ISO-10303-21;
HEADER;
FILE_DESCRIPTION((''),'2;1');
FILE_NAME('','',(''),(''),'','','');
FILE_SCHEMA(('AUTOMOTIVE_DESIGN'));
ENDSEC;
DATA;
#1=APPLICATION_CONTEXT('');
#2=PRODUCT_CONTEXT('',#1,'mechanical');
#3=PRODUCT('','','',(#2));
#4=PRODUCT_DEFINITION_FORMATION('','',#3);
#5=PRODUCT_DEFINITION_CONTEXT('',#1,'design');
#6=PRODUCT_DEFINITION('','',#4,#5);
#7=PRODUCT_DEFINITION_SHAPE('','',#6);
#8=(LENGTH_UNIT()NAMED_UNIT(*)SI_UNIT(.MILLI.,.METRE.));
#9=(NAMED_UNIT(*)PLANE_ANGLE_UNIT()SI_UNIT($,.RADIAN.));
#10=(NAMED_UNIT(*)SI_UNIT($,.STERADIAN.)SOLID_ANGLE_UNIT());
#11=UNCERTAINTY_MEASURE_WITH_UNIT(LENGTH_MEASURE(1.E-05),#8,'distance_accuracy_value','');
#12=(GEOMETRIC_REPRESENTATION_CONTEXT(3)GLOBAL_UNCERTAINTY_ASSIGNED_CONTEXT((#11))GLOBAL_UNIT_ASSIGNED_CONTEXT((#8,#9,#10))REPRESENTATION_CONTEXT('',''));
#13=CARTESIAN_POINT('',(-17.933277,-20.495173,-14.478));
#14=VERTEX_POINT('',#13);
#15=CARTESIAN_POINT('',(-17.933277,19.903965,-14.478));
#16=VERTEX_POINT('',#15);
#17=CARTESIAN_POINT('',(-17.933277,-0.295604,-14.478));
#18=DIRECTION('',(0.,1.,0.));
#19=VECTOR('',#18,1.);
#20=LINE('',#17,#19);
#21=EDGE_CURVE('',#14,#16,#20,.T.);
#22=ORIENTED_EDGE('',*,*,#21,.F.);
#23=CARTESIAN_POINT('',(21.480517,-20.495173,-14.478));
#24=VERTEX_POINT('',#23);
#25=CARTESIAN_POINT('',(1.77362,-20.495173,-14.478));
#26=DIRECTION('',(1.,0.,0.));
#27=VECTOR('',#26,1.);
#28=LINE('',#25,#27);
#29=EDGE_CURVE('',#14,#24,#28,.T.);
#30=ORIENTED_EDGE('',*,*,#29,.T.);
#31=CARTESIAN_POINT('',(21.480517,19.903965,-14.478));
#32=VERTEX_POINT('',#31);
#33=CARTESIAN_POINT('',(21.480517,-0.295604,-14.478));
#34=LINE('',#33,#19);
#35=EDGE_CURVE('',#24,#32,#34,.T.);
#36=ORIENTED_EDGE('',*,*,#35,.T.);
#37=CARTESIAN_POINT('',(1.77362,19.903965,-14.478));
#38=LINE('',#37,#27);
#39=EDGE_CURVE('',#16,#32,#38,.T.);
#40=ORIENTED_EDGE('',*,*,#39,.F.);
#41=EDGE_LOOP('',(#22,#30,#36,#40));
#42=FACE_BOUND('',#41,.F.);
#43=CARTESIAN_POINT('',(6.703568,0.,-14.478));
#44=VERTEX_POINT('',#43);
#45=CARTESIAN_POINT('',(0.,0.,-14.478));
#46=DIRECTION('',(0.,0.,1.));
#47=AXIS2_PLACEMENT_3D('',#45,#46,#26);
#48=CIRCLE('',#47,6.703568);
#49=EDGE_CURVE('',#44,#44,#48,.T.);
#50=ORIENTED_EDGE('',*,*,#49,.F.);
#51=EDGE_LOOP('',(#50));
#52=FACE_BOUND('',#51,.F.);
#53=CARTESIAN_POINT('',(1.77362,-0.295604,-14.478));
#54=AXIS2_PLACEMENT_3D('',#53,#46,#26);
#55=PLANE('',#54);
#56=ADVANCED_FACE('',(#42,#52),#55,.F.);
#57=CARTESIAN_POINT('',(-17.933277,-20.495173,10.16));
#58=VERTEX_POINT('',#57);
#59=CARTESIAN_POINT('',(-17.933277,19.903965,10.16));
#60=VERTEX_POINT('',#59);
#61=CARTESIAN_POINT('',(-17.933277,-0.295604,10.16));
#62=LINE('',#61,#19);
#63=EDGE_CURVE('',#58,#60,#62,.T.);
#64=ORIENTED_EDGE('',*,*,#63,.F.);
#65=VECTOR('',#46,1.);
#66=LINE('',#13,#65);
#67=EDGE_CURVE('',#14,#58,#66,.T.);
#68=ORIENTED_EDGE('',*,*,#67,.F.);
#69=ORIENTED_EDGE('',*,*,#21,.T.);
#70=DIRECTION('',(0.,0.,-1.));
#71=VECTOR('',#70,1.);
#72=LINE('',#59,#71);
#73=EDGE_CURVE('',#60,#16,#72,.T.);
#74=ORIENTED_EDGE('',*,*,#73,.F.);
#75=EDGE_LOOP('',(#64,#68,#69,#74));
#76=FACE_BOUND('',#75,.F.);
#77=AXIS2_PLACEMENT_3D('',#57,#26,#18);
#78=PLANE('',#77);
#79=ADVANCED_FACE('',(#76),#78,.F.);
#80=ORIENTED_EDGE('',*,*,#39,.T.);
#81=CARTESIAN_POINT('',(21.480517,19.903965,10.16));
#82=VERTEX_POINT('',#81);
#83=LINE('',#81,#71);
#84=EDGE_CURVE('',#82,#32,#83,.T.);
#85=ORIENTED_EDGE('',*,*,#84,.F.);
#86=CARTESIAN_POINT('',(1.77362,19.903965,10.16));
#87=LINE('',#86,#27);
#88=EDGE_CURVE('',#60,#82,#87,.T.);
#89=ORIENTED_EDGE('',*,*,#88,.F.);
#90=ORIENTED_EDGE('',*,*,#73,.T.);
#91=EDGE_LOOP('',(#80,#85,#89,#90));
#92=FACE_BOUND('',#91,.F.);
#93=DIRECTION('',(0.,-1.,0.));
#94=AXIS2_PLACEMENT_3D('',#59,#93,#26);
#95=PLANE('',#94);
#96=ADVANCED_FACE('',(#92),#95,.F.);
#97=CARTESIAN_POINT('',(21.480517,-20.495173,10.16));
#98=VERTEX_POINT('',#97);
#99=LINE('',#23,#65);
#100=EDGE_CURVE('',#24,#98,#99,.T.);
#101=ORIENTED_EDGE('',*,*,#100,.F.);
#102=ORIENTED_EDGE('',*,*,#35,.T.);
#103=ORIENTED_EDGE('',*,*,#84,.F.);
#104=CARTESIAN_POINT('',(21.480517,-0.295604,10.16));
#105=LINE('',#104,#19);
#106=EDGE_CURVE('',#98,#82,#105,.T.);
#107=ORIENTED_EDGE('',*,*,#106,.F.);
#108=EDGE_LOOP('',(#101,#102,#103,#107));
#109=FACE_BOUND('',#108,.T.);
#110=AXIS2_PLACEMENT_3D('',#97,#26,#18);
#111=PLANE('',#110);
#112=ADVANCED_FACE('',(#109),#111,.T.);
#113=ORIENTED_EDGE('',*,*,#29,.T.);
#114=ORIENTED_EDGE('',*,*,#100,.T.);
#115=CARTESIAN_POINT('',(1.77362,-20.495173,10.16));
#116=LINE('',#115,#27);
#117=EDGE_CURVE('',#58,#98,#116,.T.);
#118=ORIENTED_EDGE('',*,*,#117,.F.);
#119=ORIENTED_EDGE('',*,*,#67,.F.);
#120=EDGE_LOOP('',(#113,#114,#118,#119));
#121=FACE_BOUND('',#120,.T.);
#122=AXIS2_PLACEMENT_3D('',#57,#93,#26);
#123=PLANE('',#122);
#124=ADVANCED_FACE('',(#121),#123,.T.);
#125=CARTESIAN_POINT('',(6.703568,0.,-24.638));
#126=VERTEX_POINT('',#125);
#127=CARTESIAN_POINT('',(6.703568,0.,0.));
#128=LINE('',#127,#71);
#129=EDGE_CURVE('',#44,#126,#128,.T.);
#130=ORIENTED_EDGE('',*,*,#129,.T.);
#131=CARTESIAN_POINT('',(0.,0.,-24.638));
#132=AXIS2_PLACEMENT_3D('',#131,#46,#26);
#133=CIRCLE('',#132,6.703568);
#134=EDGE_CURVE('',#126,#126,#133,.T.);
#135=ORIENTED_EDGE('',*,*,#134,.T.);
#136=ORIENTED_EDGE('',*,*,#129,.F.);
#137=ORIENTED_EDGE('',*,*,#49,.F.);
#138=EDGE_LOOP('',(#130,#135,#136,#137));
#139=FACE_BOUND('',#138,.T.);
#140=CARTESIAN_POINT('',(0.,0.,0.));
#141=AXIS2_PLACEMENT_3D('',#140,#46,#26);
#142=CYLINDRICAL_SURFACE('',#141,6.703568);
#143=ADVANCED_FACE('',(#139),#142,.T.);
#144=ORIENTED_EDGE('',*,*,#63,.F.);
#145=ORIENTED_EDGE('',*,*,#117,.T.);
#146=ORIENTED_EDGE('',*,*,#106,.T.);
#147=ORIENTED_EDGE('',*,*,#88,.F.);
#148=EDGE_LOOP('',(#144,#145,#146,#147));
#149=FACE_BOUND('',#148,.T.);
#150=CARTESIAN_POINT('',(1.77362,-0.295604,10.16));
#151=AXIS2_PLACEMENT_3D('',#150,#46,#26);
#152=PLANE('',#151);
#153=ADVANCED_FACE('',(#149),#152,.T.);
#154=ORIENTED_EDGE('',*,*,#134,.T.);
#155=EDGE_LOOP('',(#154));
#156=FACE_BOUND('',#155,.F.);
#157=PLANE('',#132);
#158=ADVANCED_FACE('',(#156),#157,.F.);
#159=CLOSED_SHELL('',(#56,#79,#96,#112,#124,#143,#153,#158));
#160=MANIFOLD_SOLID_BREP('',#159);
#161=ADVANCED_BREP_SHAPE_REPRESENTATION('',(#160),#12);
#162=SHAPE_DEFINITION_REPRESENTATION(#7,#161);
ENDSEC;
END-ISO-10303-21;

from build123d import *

# Parameters (mm, degrees)
F0_W     = 39.413793
F0_H     = 40.399138
F2_DEPTH = 10.16
F3_W     = 39.413793
F3_H     = 40.399138
F1_R     = 6.703568
F4_DEPTH = 24.638


with BuildPart() as f2:
    # F0 (on Top) → F2 (new body)
    with BuildSketch(Plane.XY):
        with Locations((1.77362, -0.295604)):
            Rectangle(F0_W, F0_H)
    extrude(amount=F2_DEPTH)

    # F3 (on face) + F1 (on face) → F4 (join)
    with BuildSketch(Plane.XY.offset(10.16)):
        with Locations((1.77362, -0.295604)):
            Rectangle(F3_W, F3_H)
    with BuildSketch(Plane.XY):
        Circle(F1_R)
    extrude(amount=-F4_DEPTH)


solid = f2.part
